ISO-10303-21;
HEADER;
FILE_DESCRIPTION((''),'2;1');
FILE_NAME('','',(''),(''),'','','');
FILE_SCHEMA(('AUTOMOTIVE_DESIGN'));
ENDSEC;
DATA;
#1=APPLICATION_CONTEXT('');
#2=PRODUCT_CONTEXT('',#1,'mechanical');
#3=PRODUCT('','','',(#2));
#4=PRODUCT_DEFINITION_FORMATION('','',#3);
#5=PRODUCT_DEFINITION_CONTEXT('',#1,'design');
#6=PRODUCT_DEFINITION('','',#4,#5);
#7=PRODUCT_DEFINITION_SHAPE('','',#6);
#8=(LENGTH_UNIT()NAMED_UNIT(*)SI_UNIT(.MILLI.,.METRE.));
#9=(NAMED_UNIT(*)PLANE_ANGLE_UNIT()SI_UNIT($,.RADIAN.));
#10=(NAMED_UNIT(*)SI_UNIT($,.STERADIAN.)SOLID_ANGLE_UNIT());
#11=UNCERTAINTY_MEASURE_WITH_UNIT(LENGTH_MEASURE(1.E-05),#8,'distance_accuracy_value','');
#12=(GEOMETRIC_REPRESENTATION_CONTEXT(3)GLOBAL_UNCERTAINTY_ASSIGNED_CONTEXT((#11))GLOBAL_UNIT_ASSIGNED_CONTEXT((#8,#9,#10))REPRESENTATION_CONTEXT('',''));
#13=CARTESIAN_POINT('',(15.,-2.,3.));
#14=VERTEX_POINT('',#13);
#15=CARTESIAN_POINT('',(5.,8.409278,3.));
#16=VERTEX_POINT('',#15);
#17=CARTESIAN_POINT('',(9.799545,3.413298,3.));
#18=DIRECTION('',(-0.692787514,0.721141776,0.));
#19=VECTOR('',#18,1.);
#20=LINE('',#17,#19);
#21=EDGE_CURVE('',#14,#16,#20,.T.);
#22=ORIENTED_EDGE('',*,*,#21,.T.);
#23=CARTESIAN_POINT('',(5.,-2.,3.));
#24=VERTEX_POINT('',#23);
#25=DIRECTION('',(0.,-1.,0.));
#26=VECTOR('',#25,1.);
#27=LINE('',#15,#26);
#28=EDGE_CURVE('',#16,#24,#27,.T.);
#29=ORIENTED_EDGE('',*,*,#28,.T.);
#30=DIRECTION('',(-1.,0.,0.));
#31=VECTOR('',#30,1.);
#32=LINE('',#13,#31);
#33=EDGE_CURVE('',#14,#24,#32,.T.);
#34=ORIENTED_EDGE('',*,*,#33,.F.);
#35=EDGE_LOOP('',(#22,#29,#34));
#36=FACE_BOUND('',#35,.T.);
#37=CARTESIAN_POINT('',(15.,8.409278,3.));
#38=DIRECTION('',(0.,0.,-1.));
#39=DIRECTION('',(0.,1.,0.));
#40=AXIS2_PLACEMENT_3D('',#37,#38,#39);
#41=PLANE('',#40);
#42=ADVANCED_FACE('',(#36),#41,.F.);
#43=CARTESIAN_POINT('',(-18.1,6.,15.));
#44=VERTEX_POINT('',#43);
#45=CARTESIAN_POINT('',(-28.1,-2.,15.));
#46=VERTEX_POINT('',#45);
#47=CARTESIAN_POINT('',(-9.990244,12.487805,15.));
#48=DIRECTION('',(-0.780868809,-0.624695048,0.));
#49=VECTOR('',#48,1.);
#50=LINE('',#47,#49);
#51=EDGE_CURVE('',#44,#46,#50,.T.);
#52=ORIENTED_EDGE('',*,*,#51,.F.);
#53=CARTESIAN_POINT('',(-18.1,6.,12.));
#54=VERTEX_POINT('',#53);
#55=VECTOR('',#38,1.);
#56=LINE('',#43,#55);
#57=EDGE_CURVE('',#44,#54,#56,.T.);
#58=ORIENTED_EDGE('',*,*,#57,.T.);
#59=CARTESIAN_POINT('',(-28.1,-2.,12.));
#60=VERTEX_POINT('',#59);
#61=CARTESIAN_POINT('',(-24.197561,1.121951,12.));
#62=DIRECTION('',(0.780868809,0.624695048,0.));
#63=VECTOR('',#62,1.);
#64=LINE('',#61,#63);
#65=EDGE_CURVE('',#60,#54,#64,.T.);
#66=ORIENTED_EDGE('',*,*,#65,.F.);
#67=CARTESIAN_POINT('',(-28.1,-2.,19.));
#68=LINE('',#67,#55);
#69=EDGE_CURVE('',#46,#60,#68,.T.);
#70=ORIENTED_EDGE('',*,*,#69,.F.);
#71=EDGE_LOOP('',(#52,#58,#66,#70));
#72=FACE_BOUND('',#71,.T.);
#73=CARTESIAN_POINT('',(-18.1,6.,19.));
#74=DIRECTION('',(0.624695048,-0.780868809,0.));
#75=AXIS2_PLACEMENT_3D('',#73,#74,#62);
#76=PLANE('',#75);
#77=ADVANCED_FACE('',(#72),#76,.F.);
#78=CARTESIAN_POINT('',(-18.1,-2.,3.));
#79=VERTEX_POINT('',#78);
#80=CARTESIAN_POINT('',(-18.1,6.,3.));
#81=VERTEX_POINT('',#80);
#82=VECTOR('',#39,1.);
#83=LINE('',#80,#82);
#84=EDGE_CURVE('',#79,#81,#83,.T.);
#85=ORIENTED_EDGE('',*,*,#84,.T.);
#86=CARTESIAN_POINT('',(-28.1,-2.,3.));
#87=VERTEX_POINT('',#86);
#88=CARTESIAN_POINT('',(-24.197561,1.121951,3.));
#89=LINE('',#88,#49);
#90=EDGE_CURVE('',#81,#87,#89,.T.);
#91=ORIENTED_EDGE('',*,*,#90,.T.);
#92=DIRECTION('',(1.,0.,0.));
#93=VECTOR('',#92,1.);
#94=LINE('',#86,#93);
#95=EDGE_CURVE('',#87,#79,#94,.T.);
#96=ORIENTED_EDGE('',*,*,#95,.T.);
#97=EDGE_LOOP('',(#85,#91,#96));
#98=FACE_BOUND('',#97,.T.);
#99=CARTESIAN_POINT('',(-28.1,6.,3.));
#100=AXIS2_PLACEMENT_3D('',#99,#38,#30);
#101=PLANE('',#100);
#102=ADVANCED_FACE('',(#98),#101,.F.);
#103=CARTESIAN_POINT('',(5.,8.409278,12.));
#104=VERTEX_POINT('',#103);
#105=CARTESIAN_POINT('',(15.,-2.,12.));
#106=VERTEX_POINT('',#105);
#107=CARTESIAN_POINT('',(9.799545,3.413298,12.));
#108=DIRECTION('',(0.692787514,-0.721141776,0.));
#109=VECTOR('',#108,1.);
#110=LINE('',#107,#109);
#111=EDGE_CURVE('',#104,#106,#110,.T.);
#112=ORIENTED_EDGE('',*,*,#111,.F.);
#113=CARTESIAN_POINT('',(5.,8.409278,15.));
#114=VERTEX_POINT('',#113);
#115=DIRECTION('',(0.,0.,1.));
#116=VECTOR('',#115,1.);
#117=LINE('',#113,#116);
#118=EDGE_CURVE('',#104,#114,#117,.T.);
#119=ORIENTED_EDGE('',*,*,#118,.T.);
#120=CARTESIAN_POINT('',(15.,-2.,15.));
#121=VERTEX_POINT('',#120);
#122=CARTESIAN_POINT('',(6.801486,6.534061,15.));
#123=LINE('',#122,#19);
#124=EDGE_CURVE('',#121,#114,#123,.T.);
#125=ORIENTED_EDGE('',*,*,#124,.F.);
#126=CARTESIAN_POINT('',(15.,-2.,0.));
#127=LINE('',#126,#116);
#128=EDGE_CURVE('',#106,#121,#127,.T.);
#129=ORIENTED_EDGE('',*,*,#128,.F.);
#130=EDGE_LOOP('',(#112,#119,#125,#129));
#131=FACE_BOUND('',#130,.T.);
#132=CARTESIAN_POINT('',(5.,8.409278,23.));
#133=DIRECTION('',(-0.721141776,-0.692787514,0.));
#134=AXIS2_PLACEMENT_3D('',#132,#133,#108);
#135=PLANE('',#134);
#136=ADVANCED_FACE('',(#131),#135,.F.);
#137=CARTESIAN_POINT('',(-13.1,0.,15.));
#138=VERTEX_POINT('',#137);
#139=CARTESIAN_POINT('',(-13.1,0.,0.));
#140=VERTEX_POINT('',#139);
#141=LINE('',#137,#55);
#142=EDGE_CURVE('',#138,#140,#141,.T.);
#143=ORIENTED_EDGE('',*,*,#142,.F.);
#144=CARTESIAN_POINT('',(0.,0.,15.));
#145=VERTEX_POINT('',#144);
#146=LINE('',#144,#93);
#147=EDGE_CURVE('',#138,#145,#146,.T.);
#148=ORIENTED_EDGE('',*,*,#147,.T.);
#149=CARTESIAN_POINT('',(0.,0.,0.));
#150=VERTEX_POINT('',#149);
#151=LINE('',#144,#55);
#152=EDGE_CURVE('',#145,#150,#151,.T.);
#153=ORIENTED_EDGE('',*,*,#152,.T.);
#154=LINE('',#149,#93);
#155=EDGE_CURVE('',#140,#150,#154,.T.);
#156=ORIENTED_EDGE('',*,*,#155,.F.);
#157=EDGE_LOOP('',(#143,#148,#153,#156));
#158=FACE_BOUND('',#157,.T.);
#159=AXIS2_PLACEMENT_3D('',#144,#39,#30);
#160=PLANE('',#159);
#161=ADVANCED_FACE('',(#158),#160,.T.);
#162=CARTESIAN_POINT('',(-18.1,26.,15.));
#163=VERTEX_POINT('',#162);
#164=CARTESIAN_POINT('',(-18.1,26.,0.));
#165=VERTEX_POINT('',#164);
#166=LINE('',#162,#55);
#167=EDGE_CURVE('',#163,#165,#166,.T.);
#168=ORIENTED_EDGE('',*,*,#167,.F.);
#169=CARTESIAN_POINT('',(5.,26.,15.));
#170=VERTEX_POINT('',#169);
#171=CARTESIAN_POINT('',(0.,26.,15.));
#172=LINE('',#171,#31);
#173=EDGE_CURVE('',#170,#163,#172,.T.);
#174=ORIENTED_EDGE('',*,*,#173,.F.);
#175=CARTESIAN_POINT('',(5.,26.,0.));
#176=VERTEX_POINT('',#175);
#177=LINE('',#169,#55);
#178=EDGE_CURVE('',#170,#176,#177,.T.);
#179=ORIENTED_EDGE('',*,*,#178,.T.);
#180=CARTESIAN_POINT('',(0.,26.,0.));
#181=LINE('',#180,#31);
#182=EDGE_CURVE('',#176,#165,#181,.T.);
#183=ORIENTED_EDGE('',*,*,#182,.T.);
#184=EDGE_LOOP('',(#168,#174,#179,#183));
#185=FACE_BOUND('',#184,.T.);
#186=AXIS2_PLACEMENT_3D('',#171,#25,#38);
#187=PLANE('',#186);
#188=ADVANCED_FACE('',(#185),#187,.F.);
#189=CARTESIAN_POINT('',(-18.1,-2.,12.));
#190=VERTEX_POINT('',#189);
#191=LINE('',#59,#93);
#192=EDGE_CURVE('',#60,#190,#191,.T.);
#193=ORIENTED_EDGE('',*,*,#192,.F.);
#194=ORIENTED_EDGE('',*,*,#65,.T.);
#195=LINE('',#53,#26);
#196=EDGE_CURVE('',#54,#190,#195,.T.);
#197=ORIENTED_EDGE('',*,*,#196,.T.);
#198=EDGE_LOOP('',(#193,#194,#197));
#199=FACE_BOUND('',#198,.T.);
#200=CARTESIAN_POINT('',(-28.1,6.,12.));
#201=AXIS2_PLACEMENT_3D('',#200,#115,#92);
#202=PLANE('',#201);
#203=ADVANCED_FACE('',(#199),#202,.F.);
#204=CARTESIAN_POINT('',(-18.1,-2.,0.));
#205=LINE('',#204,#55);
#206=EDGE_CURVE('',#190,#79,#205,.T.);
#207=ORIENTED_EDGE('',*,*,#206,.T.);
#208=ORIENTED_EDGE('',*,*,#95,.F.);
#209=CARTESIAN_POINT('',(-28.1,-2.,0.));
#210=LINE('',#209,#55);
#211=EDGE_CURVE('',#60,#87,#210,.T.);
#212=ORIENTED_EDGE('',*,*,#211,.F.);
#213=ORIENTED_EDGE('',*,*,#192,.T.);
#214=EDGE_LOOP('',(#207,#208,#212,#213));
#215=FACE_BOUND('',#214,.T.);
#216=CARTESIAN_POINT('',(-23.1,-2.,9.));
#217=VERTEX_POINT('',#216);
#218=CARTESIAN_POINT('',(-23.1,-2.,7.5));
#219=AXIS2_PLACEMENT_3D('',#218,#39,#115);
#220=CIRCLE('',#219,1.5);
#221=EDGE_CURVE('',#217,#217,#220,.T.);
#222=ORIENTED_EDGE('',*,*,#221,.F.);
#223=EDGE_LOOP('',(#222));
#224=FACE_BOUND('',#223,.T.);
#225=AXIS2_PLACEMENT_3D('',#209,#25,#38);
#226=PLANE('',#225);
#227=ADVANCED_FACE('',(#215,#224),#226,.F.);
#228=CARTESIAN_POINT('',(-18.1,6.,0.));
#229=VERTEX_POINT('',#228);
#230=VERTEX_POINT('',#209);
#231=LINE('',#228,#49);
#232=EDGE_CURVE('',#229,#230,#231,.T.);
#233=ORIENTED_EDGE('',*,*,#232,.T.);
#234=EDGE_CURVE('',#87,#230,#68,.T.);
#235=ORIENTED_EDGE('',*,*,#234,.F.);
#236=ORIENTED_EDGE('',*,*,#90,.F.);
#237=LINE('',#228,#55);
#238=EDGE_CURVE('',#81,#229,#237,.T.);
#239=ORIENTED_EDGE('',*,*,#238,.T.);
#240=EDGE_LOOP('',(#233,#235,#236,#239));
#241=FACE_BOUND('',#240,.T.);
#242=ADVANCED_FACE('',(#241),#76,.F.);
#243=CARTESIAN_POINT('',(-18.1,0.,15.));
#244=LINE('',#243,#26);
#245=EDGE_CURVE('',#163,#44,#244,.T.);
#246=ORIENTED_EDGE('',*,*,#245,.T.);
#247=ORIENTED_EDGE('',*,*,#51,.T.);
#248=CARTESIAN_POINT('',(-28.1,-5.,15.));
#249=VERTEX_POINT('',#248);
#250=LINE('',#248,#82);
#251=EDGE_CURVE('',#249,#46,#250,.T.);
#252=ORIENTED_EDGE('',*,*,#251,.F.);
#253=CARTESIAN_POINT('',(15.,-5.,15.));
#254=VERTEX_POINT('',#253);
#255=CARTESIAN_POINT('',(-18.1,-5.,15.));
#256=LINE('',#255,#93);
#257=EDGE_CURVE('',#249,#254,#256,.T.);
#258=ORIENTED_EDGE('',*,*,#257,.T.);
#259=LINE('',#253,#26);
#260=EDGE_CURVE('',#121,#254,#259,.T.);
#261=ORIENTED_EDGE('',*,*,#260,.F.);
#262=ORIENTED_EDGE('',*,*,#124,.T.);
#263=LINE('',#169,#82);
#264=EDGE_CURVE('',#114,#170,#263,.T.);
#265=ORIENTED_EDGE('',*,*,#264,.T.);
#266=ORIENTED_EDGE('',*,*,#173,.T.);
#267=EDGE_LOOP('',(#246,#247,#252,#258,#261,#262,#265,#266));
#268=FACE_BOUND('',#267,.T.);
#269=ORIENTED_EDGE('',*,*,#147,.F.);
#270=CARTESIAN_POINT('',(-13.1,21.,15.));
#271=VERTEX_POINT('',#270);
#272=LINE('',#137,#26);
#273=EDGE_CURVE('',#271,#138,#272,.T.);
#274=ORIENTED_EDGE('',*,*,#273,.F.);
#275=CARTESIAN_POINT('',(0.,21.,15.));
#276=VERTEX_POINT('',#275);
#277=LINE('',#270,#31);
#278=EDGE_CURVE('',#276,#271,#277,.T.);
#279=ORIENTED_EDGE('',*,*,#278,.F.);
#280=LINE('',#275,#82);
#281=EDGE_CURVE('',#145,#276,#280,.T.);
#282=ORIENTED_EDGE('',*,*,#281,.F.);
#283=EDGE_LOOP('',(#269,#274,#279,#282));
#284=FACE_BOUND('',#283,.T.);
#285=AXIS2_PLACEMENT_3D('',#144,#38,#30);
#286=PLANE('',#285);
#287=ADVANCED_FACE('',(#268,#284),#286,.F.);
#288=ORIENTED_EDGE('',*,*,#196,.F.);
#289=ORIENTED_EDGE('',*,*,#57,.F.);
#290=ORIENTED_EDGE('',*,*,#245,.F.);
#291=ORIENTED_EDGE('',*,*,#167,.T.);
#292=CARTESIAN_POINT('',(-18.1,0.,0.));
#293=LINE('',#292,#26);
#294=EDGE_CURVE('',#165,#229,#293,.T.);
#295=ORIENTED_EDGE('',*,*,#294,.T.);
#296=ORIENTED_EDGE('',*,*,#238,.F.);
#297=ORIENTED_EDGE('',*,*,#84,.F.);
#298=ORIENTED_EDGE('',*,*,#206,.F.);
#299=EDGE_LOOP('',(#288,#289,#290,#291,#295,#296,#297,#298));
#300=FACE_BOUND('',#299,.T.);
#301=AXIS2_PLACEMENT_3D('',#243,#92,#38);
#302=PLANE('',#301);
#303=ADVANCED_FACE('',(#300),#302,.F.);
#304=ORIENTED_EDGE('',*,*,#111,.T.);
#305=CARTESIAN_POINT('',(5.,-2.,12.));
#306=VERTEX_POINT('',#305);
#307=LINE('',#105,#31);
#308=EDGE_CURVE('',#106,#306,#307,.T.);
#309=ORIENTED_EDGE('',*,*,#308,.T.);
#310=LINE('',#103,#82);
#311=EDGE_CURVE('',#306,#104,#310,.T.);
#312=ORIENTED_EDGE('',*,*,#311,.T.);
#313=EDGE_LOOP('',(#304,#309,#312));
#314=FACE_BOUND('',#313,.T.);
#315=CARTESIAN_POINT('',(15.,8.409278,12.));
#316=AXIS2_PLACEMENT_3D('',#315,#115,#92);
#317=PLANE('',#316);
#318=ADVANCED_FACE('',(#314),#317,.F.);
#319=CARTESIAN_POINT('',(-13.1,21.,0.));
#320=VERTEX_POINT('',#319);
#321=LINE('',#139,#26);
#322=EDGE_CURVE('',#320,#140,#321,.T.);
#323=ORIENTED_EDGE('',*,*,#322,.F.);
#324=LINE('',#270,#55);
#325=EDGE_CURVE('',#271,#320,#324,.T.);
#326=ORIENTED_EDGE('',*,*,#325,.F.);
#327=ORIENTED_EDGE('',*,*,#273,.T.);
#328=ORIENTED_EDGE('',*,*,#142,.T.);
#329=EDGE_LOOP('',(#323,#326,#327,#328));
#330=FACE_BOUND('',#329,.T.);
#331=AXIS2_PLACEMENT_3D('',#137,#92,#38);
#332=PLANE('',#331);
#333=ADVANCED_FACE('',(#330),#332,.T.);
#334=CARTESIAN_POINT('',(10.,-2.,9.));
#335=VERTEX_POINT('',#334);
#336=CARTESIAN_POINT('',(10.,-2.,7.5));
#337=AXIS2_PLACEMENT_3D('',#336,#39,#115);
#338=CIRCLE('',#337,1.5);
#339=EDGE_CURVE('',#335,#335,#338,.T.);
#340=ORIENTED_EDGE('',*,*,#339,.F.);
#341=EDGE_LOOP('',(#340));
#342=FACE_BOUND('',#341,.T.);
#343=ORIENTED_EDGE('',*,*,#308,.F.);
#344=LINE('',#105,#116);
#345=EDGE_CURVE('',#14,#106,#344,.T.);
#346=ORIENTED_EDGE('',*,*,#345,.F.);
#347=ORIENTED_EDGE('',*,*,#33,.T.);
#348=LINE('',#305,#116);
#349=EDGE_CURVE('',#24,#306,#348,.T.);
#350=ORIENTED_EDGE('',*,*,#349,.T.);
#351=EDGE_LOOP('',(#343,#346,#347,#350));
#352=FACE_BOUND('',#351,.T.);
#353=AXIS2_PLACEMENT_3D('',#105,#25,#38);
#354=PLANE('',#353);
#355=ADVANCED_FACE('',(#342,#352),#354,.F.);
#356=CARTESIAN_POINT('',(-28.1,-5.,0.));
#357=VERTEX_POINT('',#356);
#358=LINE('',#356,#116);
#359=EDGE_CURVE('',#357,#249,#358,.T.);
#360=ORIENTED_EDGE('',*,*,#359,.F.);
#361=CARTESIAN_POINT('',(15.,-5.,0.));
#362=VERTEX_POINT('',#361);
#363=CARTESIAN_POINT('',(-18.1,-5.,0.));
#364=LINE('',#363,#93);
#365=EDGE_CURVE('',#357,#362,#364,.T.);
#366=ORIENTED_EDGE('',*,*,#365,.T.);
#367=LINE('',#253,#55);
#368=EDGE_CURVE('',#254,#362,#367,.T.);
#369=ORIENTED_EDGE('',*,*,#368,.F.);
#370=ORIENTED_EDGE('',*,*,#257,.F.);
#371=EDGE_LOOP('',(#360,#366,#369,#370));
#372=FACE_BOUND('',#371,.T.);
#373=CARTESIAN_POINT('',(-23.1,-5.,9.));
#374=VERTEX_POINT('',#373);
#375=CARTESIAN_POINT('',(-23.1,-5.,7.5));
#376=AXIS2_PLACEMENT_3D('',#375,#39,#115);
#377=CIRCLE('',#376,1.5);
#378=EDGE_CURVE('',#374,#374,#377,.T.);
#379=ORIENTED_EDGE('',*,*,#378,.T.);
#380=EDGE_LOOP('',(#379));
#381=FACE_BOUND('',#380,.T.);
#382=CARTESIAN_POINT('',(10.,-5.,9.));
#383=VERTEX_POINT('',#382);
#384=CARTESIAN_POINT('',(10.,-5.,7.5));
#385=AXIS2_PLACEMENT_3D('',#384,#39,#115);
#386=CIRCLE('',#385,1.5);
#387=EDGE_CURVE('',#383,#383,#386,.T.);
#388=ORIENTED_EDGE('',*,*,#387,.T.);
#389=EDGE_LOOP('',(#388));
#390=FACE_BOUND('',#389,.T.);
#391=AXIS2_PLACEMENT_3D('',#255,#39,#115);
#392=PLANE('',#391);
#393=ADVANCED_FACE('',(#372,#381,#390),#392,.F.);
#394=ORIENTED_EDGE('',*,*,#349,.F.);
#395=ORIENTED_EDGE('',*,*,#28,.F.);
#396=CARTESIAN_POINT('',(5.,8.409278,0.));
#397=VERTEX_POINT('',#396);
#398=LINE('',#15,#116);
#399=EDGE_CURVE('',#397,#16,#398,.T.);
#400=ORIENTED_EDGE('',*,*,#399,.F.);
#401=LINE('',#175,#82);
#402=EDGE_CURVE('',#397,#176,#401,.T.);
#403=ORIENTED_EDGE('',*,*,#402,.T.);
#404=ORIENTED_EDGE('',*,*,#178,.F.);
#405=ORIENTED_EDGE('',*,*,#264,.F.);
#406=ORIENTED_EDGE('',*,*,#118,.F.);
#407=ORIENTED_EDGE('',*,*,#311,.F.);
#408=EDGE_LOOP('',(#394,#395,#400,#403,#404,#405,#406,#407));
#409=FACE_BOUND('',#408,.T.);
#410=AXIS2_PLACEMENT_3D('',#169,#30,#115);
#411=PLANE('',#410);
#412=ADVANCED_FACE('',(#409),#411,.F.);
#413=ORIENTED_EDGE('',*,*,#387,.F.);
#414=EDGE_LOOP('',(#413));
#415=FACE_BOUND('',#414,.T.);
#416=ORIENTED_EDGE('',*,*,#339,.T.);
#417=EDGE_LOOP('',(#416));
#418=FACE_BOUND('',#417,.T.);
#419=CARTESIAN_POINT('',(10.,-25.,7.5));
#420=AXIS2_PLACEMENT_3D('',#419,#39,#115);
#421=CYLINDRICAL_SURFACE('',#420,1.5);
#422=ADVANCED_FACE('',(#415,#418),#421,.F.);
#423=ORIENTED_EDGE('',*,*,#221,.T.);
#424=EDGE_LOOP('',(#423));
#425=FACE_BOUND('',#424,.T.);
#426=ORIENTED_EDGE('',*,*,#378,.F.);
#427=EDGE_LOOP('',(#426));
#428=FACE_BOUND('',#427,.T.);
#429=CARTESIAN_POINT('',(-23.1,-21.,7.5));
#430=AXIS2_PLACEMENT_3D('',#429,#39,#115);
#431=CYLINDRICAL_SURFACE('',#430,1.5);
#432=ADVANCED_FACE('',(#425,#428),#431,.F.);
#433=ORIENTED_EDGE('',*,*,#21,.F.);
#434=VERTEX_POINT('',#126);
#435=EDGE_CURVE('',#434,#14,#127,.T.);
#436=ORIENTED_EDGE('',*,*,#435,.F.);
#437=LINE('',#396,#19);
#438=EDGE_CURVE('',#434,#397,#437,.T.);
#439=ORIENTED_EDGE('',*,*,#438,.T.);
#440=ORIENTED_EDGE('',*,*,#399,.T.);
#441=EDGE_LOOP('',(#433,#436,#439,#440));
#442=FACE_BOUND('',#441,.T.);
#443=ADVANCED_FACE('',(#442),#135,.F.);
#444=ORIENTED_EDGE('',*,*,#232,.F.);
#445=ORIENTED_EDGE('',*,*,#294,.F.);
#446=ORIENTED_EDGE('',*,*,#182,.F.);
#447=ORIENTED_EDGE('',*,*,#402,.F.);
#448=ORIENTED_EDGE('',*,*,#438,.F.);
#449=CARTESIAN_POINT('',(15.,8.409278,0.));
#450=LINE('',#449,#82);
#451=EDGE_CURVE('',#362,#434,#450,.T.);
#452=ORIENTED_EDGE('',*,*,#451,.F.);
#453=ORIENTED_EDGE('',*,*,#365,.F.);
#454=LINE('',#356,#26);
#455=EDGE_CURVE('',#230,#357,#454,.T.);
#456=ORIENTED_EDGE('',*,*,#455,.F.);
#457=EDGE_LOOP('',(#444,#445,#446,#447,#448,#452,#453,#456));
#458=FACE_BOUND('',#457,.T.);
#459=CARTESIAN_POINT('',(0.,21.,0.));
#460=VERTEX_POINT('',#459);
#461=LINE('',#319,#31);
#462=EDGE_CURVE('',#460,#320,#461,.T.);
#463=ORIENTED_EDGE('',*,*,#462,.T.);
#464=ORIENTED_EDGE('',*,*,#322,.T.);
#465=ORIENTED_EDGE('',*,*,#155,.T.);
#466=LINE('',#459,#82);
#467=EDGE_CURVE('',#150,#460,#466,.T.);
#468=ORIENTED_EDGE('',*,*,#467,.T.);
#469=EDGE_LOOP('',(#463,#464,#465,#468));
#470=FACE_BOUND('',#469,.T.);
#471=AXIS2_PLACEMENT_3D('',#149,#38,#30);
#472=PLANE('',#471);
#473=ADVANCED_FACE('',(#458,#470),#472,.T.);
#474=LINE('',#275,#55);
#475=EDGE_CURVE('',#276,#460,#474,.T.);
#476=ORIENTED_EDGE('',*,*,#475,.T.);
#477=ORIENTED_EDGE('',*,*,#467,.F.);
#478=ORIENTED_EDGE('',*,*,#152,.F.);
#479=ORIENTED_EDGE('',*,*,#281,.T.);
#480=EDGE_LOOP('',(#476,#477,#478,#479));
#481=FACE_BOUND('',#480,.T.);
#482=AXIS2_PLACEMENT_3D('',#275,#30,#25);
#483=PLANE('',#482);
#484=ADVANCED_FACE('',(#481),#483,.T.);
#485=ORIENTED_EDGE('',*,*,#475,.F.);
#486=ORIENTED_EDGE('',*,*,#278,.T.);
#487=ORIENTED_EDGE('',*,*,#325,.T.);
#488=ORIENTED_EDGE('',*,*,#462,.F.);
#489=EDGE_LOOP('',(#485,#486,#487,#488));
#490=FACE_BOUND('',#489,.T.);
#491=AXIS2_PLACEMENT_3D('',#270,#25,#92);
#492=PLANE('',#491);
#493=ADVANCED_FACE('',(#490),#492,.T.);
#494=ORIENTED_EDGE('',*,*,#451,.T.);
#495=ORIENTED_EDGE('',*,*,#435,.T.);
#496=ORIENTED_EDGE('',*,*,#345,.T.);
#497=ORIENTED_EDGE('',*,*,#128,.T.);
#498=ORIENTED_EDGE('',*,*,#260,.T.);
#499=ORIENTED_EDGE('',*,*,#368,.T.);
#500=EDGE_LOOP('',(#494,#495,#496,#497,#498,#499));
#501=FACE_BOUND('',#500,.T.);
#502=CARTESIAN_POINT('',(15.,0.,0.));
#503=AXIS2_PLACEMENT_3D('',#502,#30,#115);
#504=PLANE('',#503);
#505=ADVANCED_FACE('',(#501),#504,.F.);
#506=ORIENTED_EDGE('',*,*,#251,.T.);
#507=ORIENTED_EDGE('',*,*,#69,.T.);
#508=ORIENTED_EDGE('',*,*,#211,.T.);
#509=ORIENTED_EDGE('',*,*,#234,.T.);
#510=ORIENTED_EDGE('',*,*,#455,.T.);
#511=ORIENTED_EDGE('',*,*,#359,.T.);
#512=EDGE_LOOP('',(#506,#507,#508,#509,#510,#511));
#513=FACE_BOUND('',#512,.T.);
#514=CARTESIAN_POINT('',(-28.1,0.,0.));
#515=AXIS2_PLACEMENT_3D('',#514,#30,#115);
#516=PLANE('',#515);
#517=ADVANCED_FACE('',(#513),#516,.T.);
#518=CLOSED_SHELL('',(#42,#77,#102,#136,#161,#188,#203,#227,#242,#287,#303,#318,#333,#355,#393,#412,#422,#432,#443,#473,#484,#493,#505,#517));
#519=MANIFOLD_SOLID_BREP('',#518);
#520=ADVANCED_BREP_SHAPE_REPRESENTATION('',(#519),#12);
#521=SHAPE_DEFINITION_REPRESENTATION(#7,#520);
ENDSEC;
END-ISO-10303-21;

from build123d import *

# Parameters (mm, degrees)
ESBO_O1_W                = 13.1
ESBO_O1_H                = 21
RESSALTO_EXTRUS_O1_DEPTH = 15
ESBO_O2_W                = 15
ESBO_O2_H                = 3
RESSALTO_EXTRUS_O2_DEPTH = 10
ESBO_O3_W                = 3
ESBO_O3_H                = 8
RESSALTO_EXTRUS_O3_DEPTH = 10
CORTE_EXTRUS_O1_DEPTH    = 19
ESBO_O5_R                = 1.5
CORTE_EXTRUS_O2_DEPTH    = 19
RESSALTO_EXTRUS_O4_DEPTH = 10
CORTE_EXTRUS_O3_DEPTH    = 23
ESBO_O8_R                = 1.5
CORTE_EXTRUS_O4_DEPTH    = 23


with BuildPart() as part:
    # Esboço1 → Ressalto-extrusão1 (new body)
    with BuildSketch(Plane.XY):
        Polygon((0, 26), (5, 26), (5, -5), (-18.1, -5), (-18.1, 0), (-18.1, 26), align=None)
        with Locations((-6.55, 10.5)):
            Rectangle(ESBO_O1_W, ESBO_O1_H, mode=Mode.SUBTRACT)
    extrude(amount=RESSALTO_EXTRUS_O1_DEPTH)

    # Esboço2 → Ressalto-extrusão2 (add)
    with BuildSketch(Plane.ZY.offset(18.1)):
        with Locations((7.5, -3.5)):
            Rectangle(ESBO_O2_W, ESBO_O2_H)
    extrude(amount=RESSALTO_EXTRUS_O2_DEPTH)

    # Esboço3 → Ressalto-extrusão3 (add)
    with BuildSketch(Plane.ZY.offset(18.1)):
        with Locations((1.5, 2)):
            Rectangle(ESBO_O3_W, ESBO_O3_H)
        with Locations((13.5, 2)):
            Rectangle(ESBO_O3_W, ESBO_O3_H)
    extrude(amount=RESSALTO_EXTRUS_O3_DEPTH)

    # Esboço4 → Corte-extrusão1 (cut)
    with BuildSketch(Plane(origin=(0, 0, 0), x_dir=(-1, 0, 0), z_dir=(0, 0, -1))):
        Polygon((18.1, 6), (28.1, -2), (28.1, 6), align=None)
    extrude(amount=-CORTE_EXTRUS_O1_DEPTH, mode=Mode.SUBTRACT)

    # Esboço5 → Corte-extrusão2 (cut)
    with BuildSketch(Plane(origin=(0, -2, 0), x_dir=(1, 0, 0), z_dir=(0, 1, 0))):
        with Locations(Location((-23.1, -7.5, 0), (0, 0, 270))):
            Circle(ESBO_O5_R)
    extrude(amount=-CORTE_EXTRUS_O2_DEPTH, mode=Mode.SUBTRACT)

    # Esboço6 → Ressalto-extrusão4 (add)
    with BuildSketch(Plane(origin=(5, 0, 0), x_dir=(0, 0, -1), z_dir=(1, 0, 0))):
        Polygon((-15, -5), (-15, 8.409277905), (-12, 8.409277905), (-12, -2), (-3, -2), (-3, 8.409277905), (0, 8.409277905), (0, -5), align=None)
    extrude(amount=RESSALTO_EXTRUS_O4_DEPTH)

    # Esboço7 → Corte-extrusão3 (cut)
    with BuildSketch(Plane(origin=(0, 0, 0), x_dir=(-1, 0, 0), z_dir=(0, 0, -1))):
        Polygon((-5, 8.409277905), (-15, -2), (-15, 8.409277905), align=None)
    extrude(amount=-CORTE_EXTRUS_O3_DEPTH, mode=Mode.SUBTRACT)

    # Esboço8 → Corte-extrusão4 (cut)
    with BuildSketch(Plane(origin=(0, -2, 0), x_dir=(1, 0, 0), z_dir=(0, 1, 0))):
        with Locations(Location((10, -7.5, 0), (0, 0, 270))):
            Circle(ESBO_O8_R)
    extrude(amount=-CORTE_EXTRUS_O4_DEPTH, mode=Mode.SUBTRACT)


solid = part.part
